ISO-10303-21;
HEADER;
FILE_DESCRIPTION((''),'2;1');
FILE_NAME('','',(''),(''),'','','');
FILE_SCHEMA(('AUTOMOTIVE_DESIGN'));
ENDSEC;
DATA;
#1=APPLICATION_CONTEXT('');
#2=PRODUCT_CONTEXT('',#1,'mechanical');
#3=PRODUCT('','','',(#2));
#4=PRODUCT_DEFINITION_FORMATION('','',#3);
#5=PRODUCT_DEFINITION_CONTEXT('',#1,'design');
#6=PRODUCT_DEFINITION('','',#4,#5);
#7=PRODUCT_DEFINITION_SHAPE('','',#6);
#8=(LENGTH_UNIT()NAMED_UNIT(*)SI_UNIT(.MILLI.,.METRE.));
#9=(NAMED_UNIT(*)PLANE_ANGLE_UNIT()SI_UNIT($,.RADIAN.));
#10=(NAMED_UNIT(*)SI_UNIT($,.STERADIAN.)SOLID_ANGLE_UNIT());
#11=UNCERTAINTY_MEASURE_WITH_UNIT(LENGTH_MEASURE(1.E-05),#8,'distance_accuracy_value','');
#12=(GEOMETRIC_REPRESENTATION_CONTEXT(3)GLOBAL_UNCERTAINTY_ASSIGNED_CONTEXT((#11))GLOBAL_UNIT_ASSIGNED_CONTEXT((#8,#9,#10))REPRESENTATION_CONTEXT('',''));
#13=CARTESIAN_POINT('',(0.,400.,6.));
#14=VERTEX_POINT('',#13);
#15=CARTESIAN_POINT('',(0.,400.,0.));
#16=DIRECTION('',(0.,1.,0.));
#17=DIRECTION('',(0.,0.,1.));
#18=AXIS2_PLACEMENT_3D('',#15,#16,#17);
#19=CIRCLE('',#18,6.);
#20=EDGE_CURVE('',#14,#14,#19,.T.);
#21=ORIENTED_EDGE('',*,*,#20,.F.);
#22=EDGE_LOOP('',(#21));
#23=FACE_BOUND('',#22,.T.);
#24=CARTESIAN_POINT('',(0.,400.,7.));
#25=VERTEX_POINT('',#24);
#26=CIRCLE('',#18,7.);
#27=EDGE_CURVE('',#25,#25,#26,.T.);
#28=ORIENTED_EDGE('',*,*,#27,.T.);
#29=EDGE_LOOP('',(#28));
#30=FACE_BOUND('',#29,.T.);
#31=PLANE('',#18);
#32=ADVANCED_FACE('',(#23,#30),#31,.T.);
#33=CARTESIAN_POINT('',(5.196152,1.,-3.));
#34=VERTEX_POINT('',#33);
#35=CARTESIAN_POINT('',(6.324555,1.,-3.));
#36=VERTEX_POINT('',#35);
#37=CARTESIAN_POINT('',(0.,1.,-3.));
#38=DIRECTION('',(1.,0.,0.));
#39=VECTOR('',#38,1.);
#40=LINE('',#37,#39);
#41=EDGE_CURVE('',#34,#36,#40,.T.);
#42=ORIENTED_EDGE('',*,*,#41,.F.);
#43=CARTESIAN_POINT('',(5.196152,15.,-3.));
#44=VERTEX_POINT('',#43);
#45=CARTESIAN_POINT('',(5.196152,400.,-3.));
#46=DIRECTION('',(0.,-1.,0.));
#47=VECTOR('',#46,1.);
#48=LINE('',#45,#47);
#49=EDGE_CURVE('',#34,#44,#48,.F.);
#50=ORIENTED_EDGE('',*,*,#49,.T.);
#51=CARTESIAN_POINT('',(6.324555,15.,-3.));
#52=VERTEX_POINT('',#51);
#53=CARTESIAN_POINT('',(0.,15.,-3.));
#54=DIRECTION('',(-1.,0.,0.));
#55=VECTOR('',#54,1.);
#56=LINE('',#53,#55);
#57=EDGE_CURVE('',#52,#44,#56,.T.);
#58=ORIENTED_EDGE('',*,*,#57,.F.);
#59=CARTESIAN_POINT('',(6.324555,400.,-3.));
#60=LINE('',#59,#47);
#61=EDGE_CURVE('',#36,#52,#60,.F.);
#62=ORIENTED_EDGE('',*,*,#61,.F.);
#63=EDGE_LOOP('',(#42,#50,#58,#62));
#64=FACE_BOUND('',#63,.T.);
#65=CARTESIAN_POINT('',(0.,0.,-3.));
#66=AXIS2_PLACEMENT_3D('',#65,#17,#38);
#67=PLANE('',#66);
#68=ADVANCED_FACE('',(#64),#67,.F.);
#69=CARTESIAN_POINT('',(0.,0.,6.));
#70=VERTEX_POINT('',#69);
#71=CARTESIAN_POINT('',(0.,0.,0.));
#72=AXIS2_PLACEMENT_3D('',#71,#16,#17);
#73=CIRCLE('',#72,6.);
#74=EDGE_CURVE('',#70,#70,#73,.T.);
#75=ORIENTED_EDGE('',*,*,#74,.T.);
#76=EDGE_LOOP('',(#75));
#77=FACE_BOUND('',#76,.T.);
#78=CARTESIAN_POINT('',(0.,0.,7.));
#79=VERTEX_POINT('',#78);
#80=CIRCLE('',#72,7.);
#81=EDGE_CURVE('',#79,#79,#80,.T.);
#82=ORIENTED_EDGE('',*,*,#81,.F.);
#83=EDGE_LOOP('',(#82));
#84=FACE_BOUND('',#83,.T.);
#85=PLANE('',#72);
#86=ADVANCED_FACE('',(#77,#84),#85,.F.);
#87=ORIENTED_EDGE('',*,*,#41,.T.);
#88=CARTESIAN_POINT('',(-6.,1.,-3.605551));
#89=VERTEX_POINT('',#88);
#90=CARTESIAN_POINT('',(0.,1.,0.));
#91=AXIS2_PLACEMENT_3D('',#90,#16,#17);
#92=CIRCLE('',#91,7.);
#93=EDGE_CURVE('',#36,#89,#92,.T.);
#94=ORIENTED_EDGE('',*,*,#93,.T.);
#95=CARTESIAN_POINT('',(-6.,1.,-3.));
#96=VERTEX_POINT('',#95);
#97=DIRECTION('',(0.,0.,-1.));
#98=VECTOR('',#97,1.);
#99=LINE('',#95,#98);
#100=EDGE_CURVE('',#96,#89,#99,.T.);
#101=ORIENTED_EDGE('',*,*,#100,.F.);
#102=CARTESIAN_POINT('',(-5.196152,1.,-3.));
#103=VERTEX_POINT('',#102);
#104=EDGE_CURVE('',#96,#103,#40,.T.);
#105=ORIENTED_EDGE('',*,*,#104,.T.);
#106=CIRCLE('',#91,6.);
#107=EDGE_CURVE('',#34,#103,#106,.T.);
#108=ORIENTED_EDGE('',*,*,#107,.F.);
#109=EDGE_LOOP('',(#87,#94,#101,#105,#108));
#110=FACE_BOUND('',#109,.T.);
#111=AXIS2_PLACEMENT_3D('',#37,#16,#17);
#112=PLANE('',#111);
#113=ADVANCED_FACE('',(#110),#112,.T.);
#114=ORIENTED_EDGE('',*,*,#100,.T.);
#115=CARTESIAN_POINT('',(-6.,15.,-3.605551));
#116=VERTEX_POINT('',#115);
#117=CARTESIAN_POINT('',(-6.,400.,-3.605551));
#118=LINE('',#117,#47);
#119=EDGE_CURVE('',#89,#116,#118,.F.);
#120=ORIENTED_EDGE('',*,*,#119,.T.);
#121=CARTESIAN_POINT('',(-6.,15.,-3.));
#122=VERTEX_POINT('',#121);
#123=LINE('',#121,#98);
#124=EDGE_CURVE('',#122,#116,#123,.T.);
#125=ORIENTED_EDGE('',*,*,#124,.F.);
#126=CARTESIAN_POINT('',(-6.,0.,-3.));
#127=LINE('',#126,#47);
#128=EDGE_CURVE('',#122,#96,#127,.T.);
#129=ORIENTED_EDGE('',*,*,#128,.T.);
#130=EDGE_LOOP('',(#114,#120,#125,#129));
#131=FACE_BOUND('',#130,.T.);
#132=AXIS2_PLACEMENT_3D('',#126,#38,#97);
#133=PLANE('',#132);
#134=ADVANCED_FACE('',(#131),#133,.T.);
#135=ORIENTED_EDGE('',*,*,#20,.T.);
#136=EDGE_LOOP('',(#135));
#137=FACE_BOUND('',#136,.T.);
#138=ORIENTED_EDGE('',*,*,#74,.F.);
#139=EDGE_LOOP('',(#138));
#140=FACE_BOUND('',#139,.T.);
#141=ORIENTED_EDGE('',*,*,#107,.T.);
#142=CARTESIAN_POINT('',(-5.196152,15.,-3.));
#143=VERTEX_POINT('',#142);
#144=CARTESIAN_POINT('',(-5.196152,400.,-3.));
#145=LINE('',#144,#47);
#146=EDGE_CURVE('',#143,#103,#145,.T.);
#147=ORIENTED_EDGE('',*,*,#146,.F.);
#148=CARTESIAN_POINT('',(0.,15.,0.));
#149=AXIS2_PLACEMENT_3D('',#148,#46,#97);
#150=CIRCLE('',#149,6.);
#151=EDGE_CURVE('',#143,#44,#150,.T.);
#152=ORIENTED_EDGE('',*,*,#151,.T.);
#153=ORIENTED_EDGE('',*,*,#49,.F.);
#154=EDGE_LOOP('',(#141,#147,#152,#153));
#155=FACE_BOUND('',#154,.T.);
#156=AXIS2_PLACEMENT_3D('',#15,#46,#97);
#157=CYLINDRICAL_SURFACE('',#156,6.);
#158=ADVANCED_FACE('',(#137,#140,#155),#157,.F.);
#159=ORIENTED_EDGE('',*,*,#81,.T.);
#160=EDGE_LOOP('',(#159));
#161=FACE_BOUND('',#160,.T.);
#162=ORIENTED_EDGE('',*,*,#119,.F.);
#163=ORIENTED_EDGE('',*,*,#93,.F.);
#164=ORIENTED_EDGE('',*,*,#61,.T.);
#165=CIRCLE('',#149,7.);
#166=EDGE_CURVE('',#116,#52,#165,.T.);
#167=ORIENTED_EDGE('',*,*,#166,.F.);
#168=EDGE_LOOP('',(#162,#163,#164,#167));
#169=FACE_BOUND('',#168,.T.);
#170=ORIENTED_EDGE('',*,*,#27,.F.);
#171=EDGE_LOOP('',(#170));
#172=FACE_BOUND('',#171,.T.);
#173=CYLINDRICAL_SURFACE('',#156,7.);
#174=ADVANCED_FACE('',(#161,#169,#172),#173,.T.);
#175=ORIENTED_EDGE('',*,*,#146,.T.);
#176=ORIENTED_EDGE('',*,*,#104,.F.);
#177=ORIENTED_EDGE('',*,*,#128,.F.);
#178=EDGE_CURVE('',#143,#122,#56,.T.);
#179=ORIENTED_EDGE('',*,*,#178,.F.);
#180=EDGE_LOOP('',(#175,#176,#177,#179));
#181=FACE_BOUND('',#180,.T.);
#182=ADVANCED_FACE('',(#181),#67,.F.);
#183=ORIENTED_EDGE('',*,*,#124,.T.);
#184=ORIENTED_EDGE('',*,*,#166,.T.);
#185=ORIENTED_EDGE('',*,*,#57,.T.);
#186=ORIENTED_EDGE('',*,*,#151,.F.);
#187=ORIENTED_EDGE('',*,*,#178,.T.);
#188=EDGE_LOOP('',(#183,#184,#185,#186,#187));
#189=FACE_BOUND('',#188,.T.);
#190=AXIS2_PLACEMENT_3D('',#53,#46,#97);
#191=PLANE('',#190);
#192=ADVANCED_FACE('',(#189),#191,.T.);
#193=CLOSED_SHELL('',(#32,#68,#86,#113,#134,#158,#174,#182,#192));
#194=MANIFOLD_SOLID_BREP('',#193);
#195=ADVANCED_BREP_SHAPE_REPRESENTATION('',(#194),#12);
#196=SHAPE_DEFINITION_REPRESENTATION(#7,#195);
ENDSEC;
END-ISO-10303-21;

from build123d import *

# Parameters (mm, degrees)
SKETCH1_R           = 7
SKETCH1_R_2         = 6
BOSS_EXTRUDE1_DEPTH = 400
CUT_EXTRUDE1_DEPTH  = 7


with BuildPart() as part:
    # Sketch1 → Boss-Extrude1 (new body)
    with BuildSketch(Plane(origin=(0, 0, 0), x_dir=(1, 0, 0), z_dir=(0, 1, 0))):
        with Locations(Location((0, 0, 0), (0, 0, 270))):
            Circle(SKETCH1_R)
        with Locations(Location((0, 0, 0), (0, 0, 270))):
            Circle(SKETCH1_R_2, mode=Mode.SUBTRACT)
    extrude(amount=BOSS_EXTRUDE1_DEPTH)

    # Sketch3 → Cut-Extrude1 (cut)
    with BuildSketch(Plane.XY.offset(-10)):
        Polygon((-6, 15), (-6, 1), (0, 1), (8, 1), (8, 15), align=None)
    extrude(amount=CUT_EXTRUDE1_DEPTH, mode=Mode.SUBTRACT)


solid = part.part
